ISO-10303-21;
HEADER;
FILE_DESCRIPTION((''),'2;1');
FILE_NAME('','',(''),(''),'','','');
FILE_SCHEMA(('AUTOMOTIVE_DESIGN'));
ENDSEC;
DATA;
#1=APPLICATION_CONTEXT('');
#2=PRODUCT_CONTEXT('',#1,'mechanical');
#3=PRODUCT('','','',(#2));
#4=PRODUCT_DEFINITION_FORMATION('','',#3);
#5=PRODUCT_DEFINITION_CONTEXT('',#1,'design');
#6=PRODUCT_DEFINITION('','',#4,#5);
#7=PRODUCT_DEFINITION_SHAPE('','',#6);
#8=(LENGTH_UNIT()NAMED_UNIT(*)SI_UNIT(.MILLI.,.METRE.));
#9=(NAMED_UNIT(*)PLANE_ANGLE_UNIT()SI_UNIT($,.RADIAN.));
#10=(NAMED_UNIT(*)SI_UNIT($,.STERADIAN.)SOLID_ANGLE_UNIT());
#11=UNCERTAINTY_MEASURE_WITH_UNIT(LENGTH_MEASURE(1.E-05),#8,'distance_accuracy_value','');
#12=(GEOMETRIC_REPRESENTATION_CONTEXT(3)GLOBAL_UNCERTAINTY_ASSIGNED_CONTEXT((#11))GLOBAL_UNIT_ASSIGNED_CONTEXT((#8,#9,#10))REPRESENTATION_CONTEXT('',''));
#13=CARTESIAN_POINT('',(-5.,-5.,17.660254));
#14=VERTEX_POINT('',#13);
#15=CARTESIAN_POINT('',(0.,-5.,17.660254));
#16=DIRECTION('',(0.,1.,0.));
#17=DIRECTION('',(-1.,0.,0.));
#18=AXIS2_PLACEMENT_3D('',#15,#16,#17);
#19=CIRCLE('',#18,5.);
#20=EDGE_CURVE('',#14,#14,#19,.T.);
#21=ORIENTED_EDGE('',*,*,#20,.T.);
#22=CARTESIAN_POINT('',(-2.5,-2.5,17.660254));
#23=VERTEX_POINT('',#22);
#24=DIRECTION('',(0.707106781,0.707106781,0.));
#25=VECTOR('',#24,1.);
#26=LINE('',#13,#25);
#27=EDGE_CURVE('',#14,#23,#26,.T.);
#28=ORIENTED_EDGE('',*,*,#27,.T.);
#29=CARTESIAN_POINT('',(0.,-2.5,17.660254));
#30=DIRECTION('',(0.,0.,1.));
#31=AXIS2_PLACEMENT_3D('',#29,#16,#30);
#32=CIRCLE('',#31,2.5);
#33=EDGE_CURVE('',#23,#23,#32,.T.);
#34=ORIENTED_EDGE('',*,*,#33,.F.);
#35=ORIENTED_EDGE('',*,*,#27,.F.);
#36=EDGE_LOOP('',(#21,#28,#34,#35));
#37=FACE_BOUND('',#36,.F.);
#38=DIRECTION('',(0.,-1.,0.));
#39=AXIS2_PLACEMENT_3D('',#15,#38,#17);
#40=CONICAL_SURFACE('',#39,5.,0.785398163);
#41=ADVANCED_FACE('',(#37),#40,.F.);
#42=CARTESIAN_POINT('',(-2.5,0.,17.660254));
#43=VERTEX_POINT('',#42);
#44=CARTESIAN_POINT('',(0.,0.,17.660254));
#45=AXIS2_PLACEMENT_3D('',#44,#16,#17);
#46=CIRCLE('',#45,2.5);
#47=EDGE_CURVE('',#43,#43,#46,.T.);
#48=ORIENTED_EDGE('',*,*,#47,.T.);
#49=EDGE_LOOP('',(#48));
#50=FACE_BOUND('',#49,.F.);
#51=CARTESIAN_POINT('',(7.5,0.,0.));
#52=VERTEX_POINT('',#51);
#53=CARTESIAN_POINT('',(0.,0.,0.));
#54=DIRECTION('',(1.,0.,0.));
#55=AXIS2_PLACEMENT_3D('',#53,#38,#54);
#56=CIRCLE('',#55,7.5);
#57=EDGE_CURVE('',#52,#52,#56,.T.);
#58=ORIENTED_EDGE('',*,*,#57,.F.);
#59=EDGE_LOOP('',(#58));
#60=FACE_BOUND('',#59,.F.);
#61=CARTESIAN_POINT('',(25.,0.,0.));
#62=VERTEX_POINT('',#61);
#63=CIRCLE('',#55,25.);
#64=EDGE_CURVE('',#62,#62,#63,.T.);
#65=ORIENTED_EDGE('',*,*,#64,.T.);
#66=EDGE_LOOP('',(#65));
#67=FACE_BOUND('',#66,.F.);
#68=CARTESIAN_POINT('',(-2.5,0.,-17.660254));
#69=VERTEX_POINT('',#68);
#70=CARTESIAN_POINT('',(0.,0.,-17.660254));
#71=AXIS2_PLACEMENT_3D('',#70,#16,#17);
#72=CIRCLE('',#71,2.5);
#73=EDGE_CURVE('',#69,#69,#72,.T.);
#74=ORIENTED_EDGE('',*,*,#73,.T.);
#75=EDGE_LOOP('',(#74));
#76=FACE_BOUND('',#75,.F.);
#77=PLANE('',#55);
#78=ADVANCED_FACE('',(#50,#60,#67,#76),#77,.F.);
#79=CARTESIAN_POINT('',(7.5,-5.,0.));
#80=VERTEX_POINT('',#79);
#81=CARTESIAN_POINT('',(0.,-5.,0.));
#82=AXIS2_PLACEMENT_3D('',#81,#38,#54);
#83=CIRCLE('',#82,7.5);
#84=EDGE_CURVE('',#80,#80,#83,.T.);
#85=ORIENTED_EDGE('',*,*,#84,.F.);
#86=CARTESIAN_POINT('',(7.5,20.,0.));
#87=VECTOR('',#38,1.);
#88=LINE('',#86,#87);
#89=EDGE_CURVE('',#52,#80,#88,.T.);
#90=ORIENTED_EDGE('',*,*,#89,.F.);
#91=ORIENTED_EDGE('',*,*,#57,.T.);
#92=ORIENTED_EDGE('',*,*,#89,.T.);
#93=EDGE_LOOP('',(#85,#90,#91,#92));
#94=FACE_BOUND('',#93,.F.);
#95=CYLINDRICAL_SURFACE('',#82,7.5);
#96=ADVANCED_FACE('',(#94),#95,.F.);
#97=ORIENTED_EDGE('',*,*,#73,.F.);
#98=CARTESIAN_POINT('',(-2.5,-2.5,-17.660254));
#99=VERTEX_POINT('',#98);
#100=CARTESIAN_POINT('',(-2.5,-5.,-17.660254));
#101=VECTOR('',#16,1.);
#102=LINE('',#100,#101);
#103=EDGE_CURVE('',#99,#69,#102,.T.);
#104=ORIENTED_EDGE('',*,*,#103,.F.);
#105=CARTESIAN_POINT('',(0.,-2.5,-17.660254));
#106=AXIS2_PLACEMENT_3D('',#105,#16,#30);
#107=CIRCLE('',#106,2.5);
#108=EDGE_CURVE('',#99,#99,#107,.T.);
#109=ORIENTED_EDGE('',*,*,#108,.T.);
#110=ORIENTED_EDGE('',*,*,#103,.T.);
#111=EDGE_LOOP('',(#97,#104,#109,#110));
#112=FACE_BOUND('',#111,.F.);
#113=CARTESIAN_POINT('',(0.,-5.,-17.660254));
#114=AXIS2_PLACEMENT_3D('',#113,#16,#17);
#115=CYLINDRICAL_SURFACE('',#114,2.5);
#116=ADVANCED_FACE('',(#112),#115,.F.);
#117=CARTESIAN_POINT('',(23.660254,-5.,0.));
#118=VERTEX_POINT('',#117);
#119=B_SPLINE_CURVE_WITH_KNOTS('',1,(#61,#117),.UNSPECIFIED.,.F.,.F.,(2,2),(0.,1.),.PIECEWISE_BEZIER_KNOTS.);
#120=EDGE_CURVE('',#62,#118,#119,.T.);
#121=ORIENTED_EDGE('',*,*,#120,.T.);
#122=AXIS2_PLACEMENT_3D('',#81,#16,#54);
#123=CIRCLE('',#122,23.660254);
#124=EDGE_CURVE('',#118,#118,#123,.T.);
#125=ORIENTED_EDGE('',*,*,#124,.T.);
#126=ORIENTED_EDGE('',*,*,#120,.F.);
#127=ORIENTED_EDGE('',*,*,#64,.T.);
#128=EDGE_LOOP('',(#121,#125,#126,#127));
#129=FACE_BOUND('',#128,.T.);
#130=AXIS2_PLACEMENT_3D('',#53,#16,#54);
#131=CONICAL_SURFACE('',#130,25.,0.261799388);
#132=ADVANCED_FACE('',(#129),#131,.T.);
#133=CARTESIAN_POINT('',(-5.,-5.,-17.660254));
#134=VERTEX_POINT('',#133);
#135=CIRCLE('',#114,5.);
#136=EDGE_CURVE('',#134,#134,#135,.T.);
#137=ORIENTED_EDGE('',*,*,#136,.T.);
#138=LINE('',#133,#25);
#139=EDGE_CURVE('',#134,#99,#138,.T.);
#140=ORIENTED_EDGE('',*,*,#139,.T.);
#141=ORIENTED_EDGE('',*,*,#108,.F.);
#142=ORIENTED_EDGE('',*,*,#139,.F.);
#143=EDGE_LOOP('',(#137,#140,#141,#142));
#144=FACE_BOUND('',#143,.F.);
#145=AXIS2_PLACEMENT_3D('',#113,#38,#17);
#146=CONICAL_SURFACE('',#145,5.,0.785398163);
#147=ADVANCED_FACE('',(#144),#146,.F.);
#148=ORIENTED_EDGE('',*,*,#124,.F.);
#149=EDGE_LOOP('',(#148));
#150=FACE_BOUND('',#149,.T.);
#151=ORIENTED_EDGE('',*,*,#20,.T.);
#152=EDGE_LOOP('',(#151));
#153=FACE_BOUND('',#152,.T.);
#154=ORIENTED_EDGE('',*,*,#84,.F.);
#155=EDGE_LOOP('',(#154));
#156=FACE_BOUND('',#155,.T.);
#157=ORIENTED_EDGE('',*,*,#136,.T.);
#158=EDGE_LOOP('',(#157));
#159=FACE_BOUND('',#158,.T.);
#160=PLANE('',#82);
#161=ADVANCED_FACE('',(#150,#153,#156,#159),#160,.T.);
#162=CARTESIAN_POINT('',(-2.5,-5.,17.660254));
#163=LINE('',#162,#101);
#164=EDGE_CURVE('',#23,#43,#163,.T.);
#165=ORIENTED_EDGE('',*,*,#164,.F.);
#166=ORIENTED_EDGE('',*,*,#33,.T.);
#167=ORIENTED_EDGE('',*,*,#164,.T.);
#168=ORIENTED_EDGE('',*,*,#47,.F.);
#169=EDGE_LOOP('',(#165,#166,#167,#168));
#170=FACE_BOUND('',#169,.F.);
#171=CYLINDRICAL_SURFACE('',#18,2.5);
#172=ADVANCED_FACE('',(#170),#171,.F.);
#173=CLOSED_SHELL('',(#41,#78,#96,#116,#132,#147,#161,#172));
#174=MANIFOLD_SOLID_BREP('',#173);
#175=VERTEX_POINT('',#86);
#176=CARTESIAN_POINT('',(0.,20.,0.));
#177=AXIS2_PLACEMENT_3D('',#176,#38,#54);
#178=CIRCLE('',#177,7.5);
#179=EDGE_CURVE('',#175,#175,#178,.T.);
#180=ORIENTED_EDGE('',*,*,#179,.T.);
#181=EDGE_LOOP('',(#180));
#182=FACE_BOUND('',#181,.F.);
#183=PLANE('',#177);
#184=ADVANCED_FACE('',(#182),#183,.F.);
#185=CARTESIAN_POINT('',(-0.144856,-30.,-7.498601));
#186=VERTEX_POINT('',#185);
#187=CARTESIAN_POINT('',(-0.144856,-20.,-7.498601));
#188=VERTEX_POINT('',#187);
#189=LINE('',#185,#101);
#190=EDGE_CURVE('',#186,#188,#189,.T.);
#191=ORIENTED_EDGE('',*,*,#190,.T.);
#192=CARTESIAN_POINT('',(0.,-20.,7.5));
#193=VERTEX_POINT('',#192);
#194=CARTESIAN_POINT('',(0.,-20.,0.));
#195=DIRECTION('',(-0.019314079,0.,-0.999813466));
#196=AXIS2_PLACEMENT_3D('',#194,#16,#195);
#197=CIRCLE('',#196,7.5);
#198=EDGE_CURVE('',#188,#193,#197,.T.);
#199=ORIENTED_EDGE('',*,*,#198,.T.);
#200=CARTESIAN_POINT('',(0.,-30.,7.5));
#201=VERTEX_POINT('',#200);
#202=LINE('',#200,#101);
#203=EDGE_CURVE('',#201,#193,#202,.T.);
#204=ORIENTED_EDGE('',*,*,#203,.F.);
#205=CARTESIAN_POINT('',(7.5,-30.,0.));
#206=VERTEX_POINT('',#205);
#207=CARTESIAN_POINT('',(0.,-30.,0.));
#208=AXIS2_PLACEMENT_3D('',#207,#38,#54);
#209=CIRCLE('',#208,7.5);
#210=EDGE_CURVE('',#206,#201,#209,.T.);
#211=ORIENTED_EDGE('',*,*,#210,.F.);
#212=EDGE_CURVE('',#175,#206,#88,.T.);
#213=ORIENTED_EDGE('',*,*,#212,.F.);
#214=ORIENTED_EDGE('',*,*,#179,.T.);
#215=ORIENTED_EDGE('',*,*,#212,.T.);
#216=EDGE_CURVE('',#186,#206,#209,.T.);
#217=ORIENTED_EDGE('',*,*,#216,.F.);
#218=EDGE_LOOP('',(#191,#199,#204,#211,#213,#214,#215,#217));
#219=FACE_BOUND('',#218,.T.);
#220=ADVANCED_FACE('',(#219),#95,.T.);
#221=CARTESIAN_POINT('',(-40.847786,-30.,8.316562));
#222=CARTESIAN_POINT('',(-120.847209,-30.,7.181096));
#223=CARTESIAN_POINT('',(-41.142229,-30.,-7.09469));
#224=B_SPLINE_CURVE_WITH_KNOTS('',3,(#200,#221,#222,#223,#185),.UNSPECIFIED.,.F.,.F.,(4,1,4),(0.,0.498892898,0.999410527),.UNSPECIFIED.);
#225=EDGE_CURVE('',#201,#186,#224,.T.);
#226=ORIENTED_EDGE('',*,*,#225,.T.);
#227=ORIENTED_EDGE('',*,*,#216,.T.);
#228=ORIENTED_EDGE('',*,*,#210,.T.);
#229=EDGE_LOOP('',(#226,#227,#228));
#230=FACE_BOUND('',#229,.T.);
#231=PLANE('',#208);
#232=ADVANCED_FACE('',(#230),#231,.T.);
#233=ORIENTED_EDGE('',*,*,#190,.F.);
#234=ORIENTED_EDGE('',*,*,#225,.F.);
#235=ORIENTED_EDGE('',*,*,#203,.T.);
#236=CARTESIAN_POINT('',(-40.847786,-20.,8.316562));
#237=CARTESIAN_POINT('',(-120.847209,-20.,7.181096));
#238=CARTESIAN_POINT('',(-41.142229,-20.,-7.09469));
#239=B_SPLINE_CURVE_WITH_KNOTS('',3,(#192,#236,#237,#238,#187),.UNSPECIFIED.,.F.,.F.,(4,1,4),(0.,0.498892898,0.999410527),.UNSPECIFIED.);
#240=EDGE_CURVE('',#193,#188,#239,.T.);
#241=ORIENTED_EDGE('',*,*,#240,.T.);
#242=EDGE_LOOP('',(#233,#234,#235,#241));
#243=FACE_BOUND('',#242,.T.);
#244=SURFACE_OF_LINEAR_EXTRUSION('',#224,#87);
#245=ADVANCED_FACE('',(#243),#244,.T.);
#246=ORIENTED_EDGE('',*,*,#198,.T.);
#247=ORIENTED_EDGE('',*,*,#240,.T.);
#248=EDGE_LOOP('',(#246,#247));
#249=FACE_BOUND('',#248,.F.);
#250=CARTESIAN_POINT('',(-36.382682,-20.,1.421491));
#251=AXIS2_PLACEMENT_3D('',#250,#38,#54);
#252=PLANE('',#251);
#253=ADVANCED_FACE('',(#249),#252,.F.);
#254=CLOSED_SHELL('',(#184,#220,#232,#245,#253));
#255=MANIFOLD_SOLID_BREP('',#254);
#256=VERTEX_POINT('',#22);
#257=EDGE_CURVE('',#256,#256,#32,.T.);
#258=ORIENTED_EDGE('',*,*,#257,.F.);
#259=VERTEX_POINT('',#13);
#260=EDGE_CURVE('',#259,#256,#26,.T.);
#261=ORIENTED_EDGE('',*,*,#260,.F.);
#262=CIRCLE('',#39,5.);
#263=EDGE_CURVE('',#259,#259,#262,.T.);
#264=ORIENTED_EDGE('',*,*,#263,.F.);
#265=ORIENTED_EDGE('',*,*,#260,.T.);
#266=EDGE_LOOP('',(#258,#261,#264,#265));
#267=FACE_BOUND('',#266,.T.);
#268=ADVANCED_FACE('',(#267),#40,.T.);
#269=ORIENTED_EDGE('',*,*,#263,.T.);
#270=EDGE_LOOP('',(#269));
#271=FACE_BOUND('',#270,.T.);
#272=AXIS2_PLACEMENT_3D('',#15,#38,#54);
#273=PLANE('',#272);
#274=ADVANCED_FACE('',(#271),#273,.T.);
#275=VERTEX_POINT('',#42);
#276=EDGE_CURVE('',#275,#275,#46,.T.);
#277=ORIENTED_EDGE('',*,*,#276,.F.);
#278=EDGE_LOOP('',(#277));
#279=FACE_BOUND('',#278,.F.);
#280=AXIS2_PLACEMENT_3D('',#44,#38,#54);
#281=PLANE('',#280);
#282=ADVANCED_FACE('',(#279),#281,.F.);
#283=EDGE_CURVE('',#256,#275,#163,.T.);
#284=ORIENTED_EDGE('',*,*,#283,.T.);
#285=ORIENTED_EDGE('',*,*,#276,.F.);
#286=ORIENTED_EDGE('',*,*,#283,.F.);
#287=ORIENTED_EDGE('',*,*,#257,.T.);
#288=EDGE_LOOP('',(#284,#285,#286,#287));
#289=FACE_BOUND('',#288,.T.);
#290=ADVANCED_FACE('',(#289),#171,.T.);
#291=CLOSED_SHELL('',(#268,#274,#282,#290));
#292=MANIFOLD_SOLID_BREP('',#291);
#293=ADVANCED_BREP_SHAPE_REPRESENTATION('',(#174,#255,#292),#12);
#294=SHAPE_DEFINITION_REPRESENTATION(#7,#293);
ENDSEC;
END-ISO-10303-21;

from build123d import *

# Parameters (mm, degrees)
F0_R           = 25
F1_DEPTH       = 5
F1_TAPER       = 15
F3_D           = 5
F3_DEPTH       = 12
F3_CSINK_D     = 10
F3_CSINK_ANGLE = 90
F3_TIP         = 1.5021515476
F4_R           = 7.5
F5_DEPTH       = 25
F8_DEPTH       = 10
F9_R           = 5
F10_DEPTH      = 5


with BuildPart() as f1:
    # F0 (on Front) → F1 (new body)
    with BuildSketch(Plane.XZ):
        Circle(F0_R)
    extrude(amount=F1_DEPTH, taper=F1_TAPER)

    # F3
    with Locations(Plane.XZ.offset(5)):
        with Locations((0, 17.6602540378), (0, -17.6602540378)):
            CounterSinkHole(F3_D / 2, F3_CSINK_D / 2, depth=F3_DEPTH, counter_sink_angle=F3_CSINK_ANGLE)
            with Locations((0, 0, -(F3_DEPTH + F3_TIP / 2))):  # 118° drill point
                Cone(0, F3_D / 2, F3_TIP, mode=Mode.SUBTRACT)


with BuildPart() as f5:
    # F4 (on face) → F5 (new body, symmetric)
    with BuildSketch(Plane.XZ.offset(5)):
        Circle(F4_R)
    extrude(amount=F5_DEPTH, both=True)


with BuildPart() as f1_1:
    add(f1.part)

    # F6: cut F5
    add(f5.part, mode=Mode.SUBTRACT)


with BuildPart() as f5_1:
    add(f5.part)

    # F7 (on face) → F8 (join)
    with BuildSketch(Plane.XZ.offset(30)):
        with BuildLine():
            ThreePointArc((-0.1448555928, -7.4986009933), (-7.4996502402, 0.0724311742), (0, 7.5))
            add(Edge.make_bspline(
                [(0, 7.5), (-40.8477857709, 8.3165615797), (-120.8472087584, 7.1810955966), (-41.1422293927, -7.0946895923), (-0.1448555928, -7.4986009933)],
                knots=[0, 0, 0, 0, 0.4988928977, 0.9994105268, 0.9994105268, 0.9994105268, 0.9994105268], degree=3))
        make_face()
    extrude(amount=-F8_DEPTH)


with BuildPart() as f10:
    # F9 (on face) → F10 (new body, through all)
    with BuildSketch(Plane.XZ.offset(5)):
        with Locations((0, 17.6602540378)):
            Circle(F9_R)
    extrude(amount=-F10_DEPTH)

    # F11: cut F1
    add(f1_1.part, mode=Mode.SUBTRACT)


solid = Compound([f1_1.part, f5_1.part, f10.part])
